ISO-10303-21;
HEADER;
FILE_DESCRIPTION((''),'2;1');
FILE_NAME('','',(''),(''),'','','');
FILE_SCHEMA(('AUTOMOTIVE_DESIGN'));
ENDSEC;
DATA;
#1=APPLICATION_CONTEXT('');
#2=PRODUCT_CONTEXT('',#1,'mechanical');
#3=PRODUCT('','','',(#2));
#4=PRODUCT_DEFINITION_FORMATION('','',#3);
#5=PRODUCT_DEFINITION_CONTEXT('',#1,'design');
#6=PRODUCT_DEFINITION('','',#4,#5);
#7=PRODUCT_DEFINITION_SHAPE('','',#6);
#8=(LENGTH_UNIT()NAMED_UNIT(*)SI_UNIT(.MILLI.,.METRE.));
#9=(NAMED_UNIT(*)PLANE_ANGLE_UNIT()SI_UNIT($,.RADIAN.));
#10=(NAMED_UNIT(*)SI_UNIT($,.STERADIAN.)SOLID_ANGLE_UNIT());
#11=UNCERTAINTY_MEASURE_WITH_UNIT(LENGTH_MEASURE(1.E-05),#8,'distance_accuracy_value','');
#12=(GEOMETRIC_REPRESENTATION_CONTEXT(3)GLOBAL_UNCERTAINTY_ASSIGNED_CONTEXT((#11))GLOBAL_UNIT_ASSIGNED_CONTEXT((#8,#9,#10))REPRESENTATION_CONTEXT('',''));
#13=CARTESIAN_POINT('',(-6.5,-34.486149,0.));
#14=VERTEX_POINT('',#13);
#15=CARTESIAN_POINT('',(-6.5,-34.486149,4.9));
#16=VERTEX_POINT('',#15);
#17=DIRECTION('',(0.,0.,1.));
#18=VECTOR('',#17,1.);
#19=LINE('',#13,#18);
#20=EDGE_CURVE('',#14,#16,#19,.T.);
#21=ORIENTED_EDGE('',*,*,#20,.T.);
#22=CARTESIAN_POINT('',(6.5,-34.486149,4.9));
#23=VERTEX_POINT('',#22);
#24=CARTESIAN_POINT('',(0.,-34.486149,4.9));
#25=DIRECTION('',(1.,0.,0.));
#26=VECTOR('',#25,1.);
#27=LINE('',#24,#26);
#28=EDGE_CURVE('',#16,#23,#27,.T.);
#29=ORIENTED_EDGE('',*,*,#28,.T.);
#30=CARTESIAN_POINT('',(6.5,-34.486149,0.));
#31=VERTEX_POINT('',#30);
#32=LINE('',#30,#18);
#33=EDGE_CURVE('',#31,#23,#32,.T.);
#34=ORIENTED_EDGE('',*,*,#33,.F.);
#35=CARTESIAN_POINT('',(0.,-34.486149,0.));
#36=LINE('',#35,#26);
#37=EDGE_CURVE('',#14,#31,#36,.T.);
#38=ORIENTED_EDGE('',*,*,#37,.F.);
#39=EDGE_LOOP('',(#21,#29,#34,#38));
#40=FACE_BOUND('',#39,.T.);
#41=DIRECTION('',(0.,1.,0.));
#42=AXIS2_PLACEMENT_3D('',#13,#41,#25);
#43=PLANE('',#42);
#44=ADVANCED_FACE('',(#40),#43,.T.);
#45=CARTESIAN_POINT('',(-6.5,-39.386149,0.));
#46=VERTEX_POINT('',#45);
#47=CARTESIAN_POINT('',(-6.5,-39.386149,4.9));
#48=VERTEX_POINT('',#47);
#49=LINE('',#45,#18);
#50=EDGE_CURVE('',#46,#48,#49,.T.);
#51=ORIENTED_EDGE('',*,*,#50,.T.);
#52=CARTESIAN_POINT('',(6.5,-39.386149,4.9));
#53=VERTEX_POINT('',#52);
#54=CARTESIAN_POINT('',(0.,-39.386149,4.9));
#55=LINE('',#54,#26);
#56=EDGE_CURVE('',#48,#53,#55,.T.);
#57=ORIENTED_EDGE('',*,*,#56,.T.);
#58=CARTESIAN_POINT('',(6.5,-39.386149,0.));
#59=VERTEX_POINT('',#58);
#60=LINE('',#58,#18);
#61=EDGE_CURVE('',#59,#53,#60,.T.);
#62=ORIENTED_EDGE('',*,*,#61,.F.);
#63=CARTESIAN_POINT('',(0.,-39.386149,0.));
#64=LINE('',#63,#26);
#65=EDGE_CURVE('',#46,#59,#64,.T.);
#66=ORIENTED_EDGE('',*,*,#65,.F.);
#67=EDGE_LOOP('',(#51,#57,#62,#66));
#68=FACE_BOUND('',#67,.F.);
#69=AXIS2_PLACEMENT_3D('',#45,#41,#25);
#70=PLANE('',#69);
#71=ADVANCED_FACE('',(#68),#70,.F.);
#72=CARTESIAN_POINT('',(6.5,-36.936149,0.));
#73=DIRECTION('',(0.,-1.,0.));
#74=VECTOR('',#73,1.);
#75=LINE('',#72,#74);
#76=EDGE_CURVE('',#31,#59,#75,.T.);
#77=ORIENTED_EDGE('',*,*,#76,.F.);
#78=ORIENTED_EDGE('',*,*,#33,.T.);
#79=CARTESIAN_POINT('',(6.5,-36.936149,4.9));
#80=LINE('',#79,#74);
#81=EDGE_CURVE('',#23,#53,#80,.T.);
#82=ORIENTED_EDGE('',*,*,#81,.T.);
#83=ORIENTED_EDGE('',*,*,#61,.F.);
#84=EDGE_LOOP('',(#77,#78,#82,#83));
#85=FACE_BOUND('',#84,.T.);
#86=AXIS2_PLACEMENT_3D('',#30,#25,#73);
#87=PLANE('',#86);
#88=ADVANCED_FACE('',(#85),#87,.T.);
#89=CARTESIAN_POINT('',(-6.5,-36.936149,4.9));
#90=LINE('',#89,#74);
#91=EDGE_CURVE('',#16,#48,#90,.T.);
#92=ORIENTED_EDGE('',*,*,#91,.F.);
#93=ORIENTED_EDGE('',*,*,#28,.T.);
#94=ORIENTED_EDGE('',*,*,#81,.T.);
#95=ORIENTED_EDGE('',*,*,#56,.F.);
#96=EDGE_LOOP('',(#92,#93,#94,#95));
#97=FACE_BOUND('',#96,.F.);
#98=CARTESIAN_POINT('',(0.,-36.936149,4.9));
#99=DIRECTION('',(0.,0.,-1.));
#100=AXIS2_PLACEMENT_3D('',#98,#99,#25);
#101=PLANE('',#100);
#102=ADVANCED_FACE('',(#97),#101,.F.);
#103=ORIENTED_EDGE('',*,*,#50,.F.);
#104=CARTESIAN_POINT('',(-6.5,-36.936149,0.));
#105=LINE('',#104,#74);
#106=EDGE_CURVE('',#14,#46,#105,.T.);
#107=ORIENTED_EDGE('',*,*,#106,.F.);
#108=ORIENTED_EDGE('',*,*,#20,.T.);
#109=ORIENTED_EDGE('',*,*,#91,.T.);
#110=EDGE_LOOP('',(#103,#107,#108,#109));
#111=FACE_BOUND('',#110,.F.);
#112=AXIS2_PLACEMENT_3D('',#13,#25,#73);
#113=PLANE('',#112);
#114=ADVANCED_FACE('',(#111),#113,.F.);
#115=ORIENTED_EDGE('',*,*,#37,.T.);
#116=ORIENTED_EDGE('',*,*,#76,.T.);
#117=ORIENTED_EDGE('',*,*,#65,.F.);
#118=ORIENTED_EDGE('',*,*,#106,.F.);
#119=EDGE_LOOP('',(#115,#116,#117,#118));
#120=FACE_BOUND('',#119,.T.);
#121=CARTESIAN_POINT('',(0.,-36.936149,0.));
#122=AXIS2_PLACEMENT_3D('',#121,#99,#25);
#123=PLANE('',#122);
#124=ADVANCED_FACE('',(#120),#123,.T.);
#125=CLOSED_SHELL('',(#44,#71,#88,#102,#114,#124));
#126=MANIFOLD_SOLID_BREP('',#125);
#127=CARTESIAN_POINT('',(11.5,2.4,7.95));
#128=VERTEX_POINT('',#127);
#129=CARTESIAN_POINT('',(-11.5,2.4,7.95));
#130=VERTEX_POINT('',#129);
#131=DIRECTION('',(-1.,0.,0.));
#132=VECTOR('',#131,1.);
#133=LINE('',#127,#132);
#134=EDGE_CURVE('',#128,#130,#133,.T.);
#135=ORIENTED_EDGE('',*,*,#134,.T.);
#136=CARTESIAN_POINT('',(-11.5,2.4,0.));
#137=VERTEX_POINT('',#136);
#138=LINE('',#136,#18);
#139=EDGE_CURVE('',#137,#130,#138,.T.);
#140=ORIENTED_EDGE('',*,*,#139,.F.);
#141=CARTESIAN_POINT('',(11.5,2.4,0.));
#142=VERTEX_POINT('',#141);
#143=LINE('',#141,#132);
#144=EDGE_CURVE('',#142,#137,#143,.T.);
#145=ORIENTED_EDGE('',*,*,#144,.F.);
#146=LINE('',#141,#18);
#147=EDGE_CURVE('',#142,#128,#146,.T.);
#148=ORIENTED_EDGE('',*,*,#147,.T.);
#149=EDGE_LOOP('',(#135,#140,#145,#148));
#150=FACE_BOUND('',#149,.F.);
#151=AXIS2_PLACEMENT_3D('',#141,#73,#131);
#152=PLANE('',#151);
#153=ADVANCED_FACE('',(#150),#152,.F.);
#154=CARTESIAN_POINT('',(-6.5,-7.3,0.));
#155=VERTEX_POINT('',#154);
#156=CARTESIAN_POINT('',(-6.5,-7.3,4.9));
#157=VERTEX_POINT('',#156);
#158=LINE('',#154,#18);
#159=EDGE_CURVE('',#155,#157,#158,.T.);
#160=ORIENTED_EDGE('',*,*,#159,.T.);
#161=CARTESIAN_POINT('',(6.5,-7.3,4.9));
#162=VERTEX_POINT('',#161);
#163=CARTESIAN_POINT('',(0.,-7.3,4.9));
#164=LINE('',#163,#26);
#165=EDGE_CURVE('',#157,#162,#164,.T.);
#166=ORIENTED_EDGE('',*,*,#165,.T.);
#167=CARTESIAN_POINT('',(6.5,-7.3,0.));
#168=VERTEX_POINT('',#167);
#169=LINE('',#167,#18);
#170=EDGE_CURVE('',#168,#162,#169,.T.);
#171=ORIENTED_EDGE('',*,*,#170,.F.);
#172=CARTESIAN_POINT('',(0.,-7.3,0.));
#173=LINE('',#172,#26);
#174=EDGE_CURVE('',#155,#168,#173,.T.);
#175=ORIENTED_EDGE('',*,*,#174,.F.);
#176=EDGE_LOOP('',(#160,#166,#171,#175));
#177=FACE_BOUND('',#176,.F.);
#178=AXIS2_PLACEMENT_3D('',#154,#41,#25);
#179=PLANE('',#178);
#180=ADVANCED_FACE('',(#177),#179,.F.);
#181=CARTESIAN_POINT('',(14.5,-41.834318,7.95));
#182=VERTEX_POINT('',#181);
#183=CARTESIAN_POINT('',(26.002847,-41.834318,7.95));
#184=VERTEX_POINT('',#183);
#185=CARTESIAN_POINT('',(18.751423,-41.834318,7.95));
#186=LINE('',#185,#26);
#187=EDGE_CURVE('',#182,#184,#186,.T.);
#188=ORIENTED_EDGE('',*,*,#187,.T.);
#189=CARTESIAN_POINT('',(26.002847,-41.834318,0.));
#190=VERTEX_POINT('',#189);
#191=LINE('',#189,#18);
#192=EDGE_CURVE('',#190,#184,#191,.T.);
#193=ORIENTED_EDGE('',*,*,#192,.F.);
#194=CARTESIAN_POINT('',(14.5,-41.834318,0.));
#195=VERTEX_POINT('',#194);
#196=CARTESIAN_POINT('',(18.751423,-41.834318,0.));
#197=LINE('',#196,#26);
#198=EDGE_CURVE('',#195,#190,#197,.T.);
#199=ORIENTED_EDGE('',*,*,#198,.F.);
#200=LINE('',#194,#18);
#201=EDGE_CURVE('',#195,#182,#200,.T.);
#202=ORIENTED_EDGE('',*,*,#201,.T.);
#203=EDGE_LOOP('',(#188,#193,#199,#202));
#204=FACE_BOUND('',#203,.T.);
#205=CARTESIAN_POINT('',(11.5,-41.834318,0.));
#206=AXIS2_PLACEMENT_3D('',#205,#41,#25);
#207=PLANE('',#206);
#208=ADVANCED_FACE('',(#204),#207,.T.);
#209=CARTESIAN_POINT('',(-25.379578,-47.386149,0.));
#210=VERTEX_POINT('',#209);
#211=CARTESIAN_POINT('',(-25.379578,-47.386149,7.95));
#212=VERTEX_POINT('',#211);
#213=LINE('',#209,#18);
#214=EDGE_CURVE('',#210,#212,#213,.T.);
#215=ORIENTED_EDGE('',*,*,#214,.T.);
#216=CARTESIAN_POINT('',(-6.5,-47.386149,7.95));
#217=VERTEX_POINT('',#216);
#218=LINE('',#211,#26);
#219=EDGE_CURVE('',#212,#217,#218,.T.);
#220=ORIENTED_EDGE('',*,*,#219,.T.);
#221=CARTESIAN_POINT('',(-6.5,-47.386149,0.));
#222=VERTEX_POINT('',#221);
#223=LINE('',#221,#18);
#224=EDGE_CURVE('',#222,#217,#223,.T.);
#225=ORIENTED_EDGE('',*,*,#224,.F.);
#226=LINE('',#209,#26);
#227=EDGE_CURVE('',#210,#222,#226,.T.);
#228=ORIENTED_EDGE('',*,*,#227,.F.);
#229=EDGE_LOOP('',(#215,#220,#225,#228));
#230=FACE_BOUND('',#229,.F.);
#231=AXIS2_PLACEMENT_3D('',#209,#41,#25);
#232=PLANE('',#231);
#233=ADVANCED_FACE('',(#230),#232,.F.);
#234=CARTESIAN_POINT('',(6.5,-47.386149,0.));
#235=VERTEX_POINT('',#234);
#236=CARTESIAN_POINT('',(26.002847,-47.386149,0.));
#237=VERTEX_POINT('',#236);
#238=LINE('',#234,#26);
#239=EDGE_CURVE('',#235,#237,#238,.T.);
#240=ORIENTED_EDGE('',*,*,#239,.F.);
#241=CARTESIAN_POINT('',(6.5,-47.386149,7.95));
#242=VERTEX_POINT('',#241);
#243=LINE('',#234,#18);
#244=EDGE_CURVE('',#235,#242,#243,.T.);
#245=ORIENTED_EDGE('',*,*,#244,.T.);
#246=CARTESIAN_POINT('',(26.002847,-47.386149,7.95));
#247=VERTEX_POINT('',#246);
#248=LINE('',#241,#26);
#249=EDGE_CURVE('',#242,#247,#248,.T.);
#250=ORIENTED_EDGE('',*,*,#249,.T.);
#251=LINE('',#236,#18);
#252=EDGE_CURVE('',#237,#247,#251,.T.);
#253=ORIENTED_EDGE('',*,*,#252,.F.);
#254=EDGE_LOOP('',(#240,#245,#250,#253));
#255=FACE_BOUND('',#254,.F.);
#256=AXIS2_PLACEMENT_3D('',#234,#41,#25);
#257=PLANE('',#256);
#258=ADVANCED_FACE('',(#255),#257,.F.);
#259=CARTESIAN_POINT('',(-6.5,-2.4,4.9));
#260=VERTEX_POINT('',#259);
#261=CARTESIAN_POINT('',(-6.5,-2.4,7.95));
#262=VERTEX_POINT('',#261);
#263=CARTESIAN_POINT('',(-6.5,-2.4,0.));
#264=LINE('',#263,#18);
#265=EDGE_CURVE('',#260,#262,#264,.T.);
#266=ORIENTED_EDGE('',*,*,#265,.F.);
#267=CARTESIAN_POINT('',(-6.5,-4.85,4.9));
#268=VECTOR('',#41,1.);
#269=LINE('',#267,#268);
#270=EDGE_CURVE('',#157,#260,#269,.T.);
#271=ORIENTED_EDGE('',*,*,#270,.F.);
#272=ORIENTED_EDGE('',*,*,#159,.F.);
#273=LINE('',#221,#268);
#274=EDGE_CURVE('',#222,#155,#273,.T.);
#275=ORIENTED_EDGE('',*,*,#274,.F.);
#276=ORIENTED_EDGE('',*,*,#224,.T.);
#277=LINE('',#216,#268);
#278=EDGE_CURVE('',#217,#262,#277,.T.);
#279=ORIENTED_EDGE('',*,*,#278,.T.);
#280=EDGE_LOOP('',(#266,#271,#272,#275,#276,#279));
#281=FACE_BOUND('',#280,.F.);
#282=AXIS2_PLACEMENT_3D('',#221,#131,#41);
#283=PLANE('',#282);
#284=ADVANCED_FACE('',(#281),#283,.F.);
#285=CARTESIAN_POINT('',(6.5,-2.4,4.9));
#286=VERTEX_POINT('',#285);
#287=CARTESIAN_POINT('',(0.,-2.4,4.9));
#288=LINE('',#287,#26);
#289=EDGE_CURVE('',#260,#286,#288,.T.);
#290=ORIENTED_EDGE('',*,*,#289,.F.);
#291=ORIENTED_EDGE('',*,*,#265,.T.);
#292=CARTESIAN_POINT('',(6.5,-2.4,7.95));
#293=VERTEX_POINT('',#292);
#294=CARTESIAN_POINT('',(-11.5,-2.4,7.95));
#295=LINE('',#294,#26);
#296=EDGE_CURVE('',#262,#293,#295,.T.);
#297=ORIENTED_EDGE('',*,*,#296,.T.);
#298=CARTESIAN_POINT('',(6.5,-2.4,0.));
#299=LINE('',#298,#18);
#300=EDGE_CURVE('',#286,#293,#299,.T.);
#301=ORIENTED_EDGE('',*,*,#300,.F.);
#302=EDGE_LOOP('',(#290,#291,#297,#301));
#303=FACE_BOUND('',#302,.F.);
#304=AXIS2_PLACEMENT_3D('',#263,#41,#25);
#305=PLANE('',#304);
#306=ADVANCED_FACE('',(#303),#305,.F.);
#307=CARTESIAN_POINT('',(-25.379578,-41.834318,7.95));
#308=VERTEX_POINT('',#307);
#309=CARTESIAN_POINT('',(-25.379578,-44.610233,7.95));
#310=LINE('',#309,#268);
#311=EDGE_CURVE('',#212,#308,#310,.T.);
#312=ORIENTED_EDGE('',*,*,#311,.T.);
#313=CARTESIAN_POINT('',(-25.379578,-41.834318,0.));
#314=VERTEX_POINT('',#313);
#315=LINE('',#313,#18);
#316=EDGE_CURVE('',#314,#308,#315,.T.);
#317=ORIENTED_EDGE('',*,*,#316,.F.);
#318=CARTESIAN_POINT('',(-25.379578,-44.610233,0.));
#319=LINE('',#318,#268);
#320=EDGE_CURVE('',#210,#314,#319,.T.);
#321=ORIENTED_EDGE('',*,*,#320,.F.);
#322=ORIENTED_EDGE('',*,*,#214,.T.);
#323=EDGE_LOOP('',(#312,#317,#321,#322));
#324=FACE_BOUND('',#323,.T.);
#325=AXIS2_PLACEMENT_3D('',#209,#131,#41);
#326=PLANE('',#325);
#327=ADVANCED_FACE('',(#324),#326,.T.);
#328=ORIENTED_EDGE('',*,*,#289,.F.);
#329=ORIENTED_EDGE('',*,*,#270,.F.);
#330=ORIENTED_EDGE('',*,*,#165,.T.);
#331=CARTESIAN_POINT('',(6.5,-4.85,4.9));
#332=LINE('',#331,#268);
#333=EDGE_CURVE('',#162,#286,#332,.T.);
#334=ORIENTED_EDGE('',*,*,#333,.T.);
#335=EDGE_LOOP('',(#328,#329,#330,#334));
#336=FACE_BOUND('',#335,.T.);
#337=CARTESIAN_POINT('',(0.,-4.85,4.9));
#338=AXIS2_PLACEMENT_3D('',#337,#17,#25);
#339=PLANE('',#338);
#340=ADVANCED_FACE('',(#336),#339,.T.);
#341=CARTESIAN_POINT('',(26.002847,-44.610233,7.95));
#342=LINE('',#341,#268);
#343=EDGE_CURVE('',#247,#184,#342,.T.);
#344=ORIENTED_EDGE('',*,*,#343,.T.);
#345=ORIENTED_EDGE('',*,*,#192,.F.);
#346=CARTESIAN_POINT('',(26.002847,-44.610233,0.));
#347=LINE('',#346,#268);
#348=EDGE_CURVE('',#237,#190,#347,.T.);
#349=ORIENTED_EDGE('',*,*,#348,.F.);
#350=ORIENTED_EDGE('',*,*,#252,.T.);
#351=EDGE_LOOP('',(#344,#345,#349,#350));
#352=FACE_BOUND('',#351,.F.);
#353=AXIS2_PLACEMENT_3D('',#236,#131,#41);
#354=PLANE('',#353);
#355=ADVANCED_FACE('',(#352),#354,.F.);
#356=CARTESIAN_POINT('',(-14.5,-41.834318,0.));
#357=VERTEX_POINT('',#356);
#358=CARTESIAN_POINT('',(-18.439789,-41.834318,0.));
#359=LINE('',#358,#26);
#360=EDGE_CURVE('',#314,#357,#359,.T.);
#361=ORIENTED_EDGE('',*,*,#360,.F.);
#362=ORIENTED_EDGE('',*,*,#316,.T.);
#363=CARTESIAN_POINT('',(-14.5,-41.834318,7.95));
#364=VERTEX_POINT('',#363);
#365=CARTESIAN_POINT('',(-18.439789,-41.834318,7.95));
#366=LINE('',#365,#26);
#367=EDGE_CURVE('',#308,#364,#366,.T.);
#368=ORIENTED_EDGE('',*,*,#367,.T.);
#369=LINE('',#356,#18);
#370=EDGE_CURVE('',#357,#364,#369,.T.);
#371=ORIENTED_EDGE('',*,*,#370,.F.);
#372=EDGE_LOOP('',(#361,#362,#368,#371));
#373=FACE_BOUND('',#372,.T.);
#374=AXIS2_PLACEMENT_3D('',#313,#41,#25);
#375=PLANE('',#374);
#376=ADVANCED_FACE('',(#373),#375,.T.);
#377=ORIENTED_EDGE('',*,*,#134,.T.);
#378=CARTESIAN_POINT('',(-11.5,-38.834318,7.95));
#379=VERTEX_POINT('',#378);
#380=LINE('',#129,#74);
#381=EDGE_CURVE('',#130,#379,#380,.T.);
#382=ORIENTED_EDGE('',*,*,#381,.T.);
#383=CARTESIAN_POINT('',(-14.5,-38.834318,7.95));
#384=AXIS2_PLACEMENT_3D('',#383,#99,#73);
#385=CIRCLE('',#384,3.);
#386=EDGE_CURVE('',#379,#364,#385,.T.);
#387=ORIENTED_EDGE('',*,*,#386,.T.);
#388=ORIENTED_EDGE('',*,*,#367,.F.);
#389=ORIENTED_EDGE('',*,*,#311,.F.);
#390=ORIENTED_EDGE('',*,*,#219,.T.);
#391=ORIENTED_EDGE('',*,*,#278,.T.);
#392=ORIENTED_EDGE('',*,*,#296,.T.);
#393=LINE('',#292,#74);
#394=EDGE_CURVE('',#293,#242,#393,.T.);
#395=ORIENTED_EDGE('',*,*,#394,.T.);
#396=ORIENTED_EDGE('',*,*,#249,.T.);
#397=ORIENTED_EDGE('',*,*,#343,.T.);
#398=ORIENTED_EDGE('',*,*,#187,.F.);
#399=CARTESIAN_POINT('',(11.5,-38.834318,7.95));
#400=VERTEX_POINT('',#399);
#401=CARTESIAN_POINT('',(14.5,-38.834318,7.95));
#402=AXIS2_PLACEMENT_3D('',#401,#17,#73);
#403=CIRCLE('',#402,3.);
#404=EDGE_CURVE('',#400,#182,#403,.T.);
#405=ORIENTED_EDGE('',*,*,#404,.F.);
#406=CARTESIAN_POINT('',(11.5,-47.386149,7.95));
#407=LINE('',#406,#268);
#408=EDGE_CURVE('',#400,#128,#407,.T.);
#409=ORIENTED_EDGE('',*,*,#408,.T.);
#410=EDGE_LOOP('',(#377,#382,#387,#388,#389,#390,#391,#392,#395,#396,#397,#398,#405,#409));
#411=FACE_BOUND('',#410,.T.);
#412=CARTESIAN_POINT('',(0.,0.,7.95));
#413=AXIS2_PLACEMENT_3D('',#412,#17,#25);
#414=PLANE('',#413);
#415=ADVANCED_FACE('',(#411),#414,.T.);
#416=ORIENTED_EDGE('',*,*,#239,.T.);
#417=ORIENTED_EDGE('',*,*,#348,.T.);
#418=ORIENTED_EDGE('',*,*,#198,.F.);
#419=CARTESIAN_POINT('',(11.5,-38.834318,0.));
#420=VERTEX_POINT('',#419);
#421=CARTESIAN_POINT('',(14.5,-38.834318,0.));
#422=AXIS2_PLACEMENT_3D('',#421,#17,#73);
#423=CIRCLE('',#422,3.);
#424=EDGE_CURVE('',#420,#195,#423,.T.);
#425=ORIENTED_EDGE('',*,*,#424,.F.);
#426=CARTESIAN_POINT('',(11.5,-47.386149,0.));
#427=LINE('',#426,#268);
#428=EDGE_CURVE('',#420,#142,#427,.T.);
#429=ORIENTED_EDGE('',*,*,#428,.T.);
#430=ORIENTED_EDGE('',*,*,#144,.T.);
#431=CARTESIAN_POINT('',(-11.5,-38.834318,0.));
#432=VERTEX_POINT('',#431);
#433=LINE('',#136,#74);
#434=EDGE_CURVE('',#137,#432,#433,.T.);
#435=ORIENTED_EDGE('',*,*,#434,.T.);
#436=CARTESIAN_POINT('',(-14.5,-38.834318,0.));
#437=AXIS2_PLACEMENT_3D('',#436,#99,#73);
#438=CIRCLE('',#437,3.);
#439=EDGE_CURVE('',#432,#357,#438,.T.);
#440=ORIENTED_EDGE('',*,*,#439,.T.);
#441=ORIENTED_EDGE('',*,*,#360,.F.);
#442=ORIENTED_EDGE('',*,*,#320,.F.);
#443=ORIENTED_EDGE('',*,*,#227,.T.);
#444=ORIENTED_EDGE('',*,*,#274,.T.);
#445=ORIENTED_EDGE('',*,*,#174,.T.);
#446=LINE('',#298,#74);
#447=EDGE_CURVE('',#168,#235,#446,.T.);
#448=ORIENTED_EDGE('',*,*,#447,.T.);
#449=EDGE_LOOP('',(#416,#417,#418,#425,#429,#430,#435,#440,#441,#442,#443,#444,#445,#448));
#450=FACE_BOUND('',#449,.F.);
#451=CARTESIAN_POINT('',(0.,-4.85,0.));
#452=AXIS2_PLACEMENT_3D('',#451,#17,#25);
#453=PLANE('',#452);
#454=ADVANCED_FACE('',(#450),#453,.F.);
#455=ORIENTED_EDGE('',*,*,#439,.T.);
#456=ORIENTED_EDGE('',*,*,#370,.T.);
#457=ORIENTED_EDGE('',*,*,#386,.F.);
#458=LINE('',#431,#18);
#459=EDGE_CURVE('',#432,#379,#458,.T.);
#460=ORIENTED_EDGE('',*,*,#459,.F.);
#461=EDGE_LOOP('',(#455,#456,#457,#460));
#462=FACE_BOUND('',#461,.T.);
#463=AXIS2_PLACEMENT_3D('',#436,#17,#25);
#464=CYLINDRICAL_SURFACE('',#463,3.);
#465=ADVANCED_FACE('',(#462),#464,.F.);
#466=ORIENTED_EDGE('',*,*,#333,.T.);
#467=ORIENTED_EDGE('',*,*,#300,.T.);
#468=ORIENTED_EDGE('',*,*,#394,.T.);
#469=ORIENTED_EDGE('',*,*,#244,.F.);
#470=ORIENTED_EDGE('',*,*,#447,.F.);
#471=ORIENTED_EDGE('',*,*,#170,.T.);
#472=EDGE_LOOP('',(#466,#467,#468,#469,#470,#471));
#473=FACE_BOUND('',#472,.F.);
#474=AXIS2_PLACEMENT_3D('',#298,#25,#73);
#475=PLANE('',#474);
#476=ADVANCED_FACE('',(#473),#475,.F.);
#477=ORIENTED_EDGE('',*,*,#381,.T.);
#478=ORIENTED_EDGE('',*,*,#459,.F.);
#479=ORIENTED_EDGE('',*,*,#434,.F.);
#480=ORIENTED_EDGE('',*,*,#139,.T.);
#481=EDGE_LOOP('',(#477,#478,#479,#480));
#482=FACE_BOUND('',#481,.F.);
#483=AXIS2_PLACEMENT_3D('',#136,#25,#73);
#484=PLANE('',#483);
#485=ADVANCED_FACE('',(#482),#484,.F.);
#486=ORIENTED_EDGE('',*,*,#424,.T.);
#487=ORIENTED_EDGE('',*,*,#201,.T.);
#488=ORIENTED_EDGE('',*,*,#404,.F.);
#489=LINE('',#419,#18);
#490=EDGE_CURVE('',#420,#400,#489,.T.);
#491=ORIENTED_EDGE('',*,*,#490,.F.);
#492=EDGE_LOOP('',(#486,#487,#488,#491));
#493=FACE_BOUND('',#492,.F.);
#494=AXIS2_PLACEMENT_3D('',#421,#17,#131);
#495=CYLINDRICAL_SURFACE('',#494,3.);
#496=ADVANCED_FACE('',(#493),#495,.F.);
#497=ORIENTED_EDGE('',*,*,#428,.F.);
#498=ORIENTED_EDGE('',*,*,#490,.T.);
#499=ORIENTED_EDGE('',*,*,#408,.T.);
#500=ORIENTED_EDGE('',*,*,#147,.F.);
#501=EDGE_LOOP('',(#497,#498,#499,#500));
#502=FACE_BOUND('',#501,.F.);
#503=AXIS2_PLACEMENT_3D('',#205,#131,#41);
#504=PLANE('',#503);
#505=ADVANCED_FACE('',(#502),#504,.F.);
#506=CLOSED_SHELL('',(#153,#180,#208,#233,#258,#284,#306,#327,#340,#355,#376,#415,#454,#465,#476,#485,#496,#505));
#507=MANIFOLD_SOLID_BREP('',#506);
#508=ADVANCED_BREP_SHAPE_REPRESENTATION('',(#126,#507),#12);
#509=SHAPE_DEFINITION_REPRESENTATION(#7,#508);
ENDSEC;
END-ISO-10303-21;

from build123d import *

# Parameters (mm, degrees)
F0_W     = 14.5028467007
F0_H     = 5.5518312344
F0_W_2   = 13.879578086
F1_DEPTH = 7.95
F2_W     = 13
F2_H     = 4.9
F3_DEPTH = 4.9
F4_W     = 13
F4_H     = 4.9
F5_DEPTH = 4.9
F6_R     = 3
F7_R     = 3


with BuildPart() as f1:
    # F0 (on Top) → F1 (new body)
    with BuildSketch(Plane.XY):
        Polygon((11.5, -2.4), (11.5, 2.4), (-11.5, 2.4), (-11.5, -2.4), (-6.5, -2.4), (6.5, -2.4), align=None)
        Polygon((11.5, -41.8343176826), (11.5, -2.4), (6.5, -2.4), (6.5, -47.386148917), (11.5, -47.386148917), align=None)
        Polygon((-6.5, -2.4), (-11.5, -2.4), (-11.5, -41.8343176826), (-11.5, -47.386148917), (-6.5, -47.386148917), align=None)
        with Locations((18.7514233503, -44.6102332998)):
            Rectangle(F0_W, F0_H)
        with Locations((-18.439789043, -44.6102332998)):
            Rectangle(F0_W_2, F0_H)
    extrude(amount=F1_DEPTH)

    # F4 (on Top) → F5 (join)
    with BuildSketch(Plane.XY):
        with Locations((0, -4.85)):
            Rectangle(F4_W, F4_H)
    extrude(amount=F5_DEPTH)

    # F6
    f6_edges = [f1.edges().sort_by_distance(p)[0] for p in [
        (-11.5, -41.834318, 3.975),
    ]]
    fillet(f6_edges, radius=F6_R)

    # F7
    f7_edges = [f1.edges().sort_by_distance(p)[0] for p in [
        (11.5, -41.834318, 3.975),
    ]]
    fillet(f7_edges, radius=F7_R)


with BuildPart() as f3:
    # F2 (on face) → F3 (new body)
    with BuildSketch(Plane(origin=(0, 0, 0), x_dir=(1, 0, 0), z_dir=(0, 0, -1))):
        with Locations((0, 36.936148917)):
            Rectangle(F2_W, F2_H)
    extrude(amount=-F3_DEPTH)


solid = Compound([f1.part, f3.part])
